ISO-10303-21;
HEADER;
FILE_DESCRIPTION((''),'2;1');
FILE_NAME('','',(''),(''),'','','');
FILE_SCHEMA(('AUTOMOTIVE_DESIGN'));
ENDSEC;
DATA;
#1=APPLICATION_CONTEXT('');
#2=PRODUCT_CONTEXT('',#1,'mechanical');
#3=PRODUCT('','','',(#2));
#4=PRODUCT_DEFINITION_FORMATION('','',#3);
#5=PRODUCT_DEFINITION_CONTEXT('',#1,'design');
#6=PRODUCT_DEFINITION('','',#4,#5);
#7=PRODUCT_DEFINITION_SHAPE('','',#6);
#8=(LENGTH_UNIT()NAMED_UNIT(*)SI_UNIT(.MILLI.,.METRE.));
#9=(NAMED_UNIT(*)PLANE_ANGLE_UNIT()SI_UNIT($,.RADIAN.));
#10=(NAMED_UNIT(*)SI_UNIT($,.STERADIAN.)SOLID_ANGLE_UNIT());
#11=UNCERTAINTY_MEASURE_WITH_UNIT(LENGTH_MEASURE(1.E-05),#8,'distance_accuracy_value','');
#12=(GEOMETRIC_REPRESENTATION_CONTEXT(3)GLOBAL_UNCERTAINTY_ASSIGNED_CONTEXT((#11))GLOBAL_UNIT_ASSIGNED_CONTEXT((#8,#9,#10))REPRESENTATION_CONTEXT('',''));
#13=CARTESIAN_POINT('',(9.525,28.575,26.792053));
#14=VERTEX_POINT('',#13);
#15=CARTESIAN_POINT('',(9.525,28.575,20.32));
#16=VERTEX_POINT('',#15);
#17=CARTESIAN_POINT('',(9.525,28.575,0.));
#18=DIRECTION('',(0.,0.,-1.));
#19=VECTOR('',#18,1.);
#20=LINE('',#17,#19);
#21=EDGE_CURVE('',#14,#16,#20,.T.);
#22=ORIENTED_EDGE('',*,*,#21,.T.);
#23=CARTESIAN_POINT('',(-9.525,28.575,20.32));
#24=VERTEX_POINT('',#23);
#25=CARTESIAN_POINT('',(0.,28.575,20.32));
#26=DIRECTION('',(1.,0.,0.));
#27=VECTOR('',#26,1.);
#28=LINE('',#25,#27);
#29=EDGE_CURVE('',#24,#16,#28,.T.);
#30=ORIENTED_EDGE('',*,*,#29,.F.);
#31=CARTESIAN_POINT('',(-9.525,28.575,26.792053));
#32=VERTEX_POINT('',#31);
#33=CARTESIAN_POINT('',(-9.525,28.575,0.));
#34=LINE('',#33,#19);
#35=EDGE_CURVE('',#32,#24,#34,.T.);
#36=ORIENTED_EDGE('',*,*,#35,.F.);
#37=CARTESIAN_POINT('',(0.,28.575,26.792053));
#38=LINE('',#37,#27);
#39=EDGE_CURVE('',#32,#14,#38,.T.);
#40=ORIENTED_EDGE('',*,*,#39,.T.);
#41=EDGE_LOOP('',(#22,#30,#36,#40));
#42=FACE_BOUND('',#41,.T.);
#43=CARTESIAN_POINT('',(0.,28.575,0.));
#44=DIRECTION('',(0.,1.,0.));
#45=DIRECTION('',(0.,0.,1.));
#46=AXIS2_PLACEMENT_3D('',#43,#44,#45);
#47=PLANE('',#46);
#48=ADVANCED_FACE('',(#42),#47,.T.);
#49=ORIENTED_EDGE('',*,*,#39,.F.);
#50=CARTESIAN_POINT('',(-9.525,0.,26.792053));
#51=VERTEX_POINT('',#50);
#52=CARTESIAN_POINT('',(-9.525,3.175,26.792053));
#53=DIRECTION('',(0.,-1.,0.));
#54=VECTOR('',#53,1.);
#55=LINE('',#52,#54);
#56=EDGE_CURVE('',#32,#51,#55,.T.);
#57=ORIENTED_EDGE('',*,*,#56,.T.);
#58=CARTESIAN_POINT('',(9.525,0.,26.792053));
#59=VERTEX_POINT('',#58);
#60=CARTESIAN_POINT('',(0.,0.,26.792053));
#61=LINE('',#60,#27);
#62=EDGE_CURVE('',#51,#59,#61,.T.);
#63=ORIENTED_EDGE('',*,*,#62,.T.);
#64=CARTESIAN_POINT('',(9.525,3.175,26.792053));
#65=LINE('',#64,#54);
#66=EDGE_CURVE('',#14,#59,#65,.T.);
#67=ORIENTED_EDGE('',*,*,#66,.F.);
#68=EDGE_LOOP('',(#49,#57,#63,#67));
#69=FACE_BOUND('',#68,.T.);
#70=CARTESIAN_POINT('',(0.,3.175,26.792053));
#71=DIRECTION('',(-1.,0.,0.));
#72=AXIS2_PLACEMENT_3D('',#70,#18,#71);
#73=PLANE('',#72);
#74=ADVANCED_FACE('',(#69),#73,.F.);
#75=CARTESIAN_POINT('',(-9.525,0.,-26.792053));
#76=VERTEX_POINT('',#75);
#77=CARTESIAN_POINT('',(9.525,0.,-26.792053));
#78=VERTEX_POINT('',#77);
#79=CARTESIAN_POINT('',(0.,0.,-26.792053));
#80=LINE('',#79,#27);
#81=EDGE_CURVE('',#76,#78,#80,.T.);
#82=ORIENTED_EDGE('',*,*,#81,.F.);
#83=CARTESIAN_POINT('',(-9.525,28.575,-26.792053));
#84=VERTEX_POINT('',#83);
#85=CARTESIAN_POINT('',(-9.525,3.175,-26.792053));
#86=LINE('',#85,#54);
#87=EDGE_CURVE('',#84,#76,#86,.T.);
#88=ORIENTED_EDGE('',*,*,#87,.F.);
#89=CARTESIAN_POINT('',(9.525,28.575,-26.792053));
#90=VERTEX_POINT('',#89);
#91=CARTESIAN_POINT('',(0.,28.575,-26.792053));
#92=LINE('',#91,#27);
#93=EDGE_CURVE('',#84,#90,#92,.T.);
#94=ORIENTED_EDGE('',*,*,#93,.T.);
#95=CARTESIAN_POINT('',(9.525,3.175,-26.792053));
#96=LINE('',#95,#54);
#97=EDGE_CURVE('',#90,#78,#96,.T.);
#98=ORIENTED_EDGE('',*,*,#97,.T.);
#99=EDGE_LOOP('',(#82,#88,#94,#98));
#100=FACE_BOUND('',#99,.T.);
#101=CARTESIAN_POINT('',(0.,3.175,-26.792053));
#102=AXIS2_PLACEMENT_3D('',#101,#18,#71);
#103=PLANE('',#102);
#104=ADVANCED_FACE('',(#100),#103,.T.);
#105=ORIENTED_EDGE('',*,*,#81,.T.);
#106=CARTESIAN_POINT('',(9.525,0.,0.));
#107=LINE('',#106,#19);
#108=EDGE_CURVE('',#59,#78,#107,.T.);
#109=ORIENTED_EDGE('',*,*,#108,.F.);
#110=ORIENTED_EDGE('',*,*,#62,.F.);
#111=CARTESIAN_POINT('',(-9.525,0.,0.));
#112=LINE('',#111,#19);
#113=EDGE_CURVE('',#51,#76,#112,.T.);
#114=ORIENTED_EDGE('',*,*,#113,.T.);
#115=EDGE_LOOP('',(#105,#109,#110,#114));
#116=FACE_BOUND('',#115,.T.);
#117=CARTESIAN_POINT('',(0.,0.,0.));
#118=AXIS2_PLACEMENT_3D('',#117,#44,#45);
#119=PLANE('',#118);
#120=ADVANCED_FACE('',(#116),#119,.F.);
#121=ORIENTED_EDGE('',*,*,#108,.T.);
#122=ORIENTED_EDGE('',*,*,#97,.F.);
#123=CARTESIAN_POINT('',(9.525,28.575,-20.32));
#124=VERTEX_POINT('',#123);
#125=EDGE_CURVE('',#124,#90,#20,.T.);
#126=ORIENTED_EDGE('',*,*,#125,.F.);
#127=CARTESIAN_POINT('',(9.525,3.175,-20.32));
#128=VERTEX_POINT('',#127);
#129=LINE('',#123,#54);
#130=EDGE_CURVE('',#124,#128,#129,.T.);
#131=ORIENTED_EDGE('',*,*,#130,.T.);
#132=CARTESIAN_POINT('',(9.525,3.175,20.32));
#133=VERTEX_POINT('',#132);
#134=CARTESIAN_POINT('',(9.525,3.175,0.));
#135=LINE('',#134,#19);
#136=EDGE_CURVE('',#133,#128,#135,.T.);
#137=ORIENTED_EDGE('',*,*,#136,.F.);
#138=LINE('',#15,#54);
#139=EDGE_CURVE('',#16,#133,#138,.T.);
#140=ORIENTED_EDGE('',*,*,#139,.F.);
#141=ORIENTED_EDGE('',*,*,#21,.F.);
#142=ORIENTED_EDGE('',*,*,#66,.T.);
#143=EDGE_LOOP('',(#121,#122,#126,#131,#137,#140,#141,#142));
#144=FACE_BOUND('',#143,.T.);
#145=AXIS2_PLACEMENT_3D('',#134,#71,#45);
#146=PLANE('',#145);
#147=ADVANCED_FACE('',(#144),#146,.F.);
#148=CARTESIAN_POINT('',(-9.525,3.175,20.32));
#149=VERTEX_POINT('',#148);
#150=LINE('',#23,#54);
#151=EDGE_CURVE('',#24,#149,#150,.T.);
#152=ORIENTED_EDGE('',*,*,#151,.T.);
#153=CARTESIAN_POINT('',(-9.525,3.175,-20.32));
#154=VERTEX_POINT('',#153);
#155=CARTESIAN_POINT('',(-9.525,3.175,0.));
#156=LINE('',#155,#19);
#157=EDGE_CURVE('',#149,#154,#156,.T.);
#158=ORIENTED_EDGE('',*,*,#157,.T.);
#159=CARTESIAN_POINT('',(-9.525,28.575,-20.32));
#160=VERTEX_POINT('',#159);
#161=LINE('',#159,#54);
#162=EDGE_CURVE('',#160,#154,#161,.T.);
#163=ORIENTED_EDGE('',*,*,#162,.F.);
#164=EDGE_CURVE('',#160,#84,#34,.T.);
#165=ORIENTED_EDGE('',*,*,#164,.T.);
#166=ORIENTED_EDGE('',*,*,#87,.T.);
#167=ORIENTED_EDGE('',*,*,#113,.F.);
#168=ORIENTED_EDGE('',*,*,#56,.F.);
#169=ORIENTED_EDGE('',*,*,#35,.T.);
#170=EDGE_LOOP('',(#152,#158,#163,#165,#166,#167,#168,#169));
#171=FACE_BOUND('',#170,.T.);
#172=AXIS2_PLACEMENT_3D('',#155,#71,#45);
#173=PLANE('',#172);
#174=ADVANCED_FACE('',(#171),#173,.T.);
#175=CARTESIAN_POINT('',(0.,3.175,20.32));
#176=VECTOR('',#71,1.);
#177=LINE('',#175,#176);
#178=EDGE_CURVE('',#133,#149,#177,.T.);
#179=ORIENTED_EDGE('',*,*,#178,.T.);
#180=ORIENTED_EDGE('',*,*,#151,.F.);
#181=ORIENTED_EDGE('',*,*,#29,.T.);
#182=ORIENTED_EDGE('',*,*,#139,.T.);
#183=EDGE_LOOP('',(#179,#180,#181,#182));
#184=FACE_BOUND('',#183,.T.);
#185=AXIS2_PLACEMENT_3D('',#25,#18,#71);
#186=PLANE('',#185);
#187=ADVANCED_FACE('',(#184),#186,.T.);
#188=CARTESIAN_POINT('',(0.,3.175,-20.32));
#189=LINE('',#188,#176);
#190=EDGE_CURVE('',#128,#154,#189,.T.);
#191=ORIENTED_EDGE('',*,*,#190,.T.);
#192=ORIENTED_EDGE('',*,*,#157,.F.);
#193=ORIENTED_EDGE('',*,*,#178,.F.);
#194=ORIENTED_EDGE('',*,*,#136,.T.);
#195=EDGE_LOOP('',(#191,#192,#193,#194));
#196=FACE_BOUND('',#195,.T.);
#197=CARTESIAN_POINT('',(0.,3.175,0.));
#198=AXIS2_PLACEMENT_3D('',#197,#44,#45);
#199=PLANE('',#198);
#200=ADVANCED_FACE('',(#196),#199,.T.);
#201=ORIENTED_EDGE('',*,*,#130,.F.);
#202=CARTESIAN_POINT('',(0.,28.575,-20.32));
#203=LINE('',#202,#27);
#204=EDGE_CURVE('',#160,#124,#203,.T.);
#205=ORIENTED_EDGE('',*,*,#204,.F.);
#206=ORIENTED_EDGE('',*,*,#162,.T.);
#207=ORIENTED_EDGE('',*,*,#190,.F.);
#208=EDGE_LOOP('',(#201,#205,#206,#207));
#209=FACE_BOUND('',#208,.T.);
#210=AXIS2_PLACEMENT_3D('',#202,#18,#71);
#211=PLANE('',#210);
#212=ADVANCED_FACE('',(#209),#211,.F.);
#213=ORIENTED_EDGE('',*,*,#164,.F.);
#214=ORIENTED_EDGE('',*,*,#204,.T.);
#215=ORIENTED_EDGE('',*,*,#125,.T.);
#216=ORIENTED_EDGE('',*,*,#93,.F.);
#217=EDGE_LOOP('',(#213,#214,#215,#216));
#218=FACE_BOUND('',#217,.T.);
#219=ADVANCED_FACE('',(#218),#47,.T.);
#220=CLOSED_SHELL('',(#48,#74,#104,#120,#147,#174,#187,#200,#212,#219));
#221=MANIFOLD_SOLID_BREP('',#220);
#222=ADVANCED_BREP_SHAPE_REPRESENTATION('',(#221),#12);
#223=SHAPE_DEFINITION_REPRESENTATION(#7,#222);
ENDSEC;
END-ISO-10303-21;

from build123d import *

# Parameters (mm, degrees)
SKETCH1_W           = 19.05
SKETCH1_H           = 53.584105048
BOSS_EXTRUDE1_DEPTH = 3.175
SKETCH1_3_W         = 19.05
SKETCH1_3_H         = 6.472052524
BOSS_EXTRUDE2_DEPTH = 28.575


with BuildPart() as part:
    # Sketch1 → Boss-Extrude1 (new body)
    with BuildSketch(Plane(origin=(0, 0, 0), x_dir=(1, 0, 0), z_dir=(0, 1, 0))):
        Rectangle(SKETCH1_W, SKETCH1_H)
    extrude(amount=BOSS_EXTRUDE1_DEPTH)

    # Sketch1<3> → Boss-Extrude2 (add)
    with BuildSketch(Plane(origin=(0, 0, 0), x_dir=(1, 0, 0), z_dir=(0, 1, 0))):
        with Locations((0, 23.556026262)):
            Rectangle(SKETCH1_3_W, SKETCH1_3_H)
        with Locations((0, -23.556026262)):
            Rectangle(SKETCH1_3_W, SKETCH1_3_H)
    extrude(amount=BOSS_EXTRUDE2_DEPTH)


solid = part.part
